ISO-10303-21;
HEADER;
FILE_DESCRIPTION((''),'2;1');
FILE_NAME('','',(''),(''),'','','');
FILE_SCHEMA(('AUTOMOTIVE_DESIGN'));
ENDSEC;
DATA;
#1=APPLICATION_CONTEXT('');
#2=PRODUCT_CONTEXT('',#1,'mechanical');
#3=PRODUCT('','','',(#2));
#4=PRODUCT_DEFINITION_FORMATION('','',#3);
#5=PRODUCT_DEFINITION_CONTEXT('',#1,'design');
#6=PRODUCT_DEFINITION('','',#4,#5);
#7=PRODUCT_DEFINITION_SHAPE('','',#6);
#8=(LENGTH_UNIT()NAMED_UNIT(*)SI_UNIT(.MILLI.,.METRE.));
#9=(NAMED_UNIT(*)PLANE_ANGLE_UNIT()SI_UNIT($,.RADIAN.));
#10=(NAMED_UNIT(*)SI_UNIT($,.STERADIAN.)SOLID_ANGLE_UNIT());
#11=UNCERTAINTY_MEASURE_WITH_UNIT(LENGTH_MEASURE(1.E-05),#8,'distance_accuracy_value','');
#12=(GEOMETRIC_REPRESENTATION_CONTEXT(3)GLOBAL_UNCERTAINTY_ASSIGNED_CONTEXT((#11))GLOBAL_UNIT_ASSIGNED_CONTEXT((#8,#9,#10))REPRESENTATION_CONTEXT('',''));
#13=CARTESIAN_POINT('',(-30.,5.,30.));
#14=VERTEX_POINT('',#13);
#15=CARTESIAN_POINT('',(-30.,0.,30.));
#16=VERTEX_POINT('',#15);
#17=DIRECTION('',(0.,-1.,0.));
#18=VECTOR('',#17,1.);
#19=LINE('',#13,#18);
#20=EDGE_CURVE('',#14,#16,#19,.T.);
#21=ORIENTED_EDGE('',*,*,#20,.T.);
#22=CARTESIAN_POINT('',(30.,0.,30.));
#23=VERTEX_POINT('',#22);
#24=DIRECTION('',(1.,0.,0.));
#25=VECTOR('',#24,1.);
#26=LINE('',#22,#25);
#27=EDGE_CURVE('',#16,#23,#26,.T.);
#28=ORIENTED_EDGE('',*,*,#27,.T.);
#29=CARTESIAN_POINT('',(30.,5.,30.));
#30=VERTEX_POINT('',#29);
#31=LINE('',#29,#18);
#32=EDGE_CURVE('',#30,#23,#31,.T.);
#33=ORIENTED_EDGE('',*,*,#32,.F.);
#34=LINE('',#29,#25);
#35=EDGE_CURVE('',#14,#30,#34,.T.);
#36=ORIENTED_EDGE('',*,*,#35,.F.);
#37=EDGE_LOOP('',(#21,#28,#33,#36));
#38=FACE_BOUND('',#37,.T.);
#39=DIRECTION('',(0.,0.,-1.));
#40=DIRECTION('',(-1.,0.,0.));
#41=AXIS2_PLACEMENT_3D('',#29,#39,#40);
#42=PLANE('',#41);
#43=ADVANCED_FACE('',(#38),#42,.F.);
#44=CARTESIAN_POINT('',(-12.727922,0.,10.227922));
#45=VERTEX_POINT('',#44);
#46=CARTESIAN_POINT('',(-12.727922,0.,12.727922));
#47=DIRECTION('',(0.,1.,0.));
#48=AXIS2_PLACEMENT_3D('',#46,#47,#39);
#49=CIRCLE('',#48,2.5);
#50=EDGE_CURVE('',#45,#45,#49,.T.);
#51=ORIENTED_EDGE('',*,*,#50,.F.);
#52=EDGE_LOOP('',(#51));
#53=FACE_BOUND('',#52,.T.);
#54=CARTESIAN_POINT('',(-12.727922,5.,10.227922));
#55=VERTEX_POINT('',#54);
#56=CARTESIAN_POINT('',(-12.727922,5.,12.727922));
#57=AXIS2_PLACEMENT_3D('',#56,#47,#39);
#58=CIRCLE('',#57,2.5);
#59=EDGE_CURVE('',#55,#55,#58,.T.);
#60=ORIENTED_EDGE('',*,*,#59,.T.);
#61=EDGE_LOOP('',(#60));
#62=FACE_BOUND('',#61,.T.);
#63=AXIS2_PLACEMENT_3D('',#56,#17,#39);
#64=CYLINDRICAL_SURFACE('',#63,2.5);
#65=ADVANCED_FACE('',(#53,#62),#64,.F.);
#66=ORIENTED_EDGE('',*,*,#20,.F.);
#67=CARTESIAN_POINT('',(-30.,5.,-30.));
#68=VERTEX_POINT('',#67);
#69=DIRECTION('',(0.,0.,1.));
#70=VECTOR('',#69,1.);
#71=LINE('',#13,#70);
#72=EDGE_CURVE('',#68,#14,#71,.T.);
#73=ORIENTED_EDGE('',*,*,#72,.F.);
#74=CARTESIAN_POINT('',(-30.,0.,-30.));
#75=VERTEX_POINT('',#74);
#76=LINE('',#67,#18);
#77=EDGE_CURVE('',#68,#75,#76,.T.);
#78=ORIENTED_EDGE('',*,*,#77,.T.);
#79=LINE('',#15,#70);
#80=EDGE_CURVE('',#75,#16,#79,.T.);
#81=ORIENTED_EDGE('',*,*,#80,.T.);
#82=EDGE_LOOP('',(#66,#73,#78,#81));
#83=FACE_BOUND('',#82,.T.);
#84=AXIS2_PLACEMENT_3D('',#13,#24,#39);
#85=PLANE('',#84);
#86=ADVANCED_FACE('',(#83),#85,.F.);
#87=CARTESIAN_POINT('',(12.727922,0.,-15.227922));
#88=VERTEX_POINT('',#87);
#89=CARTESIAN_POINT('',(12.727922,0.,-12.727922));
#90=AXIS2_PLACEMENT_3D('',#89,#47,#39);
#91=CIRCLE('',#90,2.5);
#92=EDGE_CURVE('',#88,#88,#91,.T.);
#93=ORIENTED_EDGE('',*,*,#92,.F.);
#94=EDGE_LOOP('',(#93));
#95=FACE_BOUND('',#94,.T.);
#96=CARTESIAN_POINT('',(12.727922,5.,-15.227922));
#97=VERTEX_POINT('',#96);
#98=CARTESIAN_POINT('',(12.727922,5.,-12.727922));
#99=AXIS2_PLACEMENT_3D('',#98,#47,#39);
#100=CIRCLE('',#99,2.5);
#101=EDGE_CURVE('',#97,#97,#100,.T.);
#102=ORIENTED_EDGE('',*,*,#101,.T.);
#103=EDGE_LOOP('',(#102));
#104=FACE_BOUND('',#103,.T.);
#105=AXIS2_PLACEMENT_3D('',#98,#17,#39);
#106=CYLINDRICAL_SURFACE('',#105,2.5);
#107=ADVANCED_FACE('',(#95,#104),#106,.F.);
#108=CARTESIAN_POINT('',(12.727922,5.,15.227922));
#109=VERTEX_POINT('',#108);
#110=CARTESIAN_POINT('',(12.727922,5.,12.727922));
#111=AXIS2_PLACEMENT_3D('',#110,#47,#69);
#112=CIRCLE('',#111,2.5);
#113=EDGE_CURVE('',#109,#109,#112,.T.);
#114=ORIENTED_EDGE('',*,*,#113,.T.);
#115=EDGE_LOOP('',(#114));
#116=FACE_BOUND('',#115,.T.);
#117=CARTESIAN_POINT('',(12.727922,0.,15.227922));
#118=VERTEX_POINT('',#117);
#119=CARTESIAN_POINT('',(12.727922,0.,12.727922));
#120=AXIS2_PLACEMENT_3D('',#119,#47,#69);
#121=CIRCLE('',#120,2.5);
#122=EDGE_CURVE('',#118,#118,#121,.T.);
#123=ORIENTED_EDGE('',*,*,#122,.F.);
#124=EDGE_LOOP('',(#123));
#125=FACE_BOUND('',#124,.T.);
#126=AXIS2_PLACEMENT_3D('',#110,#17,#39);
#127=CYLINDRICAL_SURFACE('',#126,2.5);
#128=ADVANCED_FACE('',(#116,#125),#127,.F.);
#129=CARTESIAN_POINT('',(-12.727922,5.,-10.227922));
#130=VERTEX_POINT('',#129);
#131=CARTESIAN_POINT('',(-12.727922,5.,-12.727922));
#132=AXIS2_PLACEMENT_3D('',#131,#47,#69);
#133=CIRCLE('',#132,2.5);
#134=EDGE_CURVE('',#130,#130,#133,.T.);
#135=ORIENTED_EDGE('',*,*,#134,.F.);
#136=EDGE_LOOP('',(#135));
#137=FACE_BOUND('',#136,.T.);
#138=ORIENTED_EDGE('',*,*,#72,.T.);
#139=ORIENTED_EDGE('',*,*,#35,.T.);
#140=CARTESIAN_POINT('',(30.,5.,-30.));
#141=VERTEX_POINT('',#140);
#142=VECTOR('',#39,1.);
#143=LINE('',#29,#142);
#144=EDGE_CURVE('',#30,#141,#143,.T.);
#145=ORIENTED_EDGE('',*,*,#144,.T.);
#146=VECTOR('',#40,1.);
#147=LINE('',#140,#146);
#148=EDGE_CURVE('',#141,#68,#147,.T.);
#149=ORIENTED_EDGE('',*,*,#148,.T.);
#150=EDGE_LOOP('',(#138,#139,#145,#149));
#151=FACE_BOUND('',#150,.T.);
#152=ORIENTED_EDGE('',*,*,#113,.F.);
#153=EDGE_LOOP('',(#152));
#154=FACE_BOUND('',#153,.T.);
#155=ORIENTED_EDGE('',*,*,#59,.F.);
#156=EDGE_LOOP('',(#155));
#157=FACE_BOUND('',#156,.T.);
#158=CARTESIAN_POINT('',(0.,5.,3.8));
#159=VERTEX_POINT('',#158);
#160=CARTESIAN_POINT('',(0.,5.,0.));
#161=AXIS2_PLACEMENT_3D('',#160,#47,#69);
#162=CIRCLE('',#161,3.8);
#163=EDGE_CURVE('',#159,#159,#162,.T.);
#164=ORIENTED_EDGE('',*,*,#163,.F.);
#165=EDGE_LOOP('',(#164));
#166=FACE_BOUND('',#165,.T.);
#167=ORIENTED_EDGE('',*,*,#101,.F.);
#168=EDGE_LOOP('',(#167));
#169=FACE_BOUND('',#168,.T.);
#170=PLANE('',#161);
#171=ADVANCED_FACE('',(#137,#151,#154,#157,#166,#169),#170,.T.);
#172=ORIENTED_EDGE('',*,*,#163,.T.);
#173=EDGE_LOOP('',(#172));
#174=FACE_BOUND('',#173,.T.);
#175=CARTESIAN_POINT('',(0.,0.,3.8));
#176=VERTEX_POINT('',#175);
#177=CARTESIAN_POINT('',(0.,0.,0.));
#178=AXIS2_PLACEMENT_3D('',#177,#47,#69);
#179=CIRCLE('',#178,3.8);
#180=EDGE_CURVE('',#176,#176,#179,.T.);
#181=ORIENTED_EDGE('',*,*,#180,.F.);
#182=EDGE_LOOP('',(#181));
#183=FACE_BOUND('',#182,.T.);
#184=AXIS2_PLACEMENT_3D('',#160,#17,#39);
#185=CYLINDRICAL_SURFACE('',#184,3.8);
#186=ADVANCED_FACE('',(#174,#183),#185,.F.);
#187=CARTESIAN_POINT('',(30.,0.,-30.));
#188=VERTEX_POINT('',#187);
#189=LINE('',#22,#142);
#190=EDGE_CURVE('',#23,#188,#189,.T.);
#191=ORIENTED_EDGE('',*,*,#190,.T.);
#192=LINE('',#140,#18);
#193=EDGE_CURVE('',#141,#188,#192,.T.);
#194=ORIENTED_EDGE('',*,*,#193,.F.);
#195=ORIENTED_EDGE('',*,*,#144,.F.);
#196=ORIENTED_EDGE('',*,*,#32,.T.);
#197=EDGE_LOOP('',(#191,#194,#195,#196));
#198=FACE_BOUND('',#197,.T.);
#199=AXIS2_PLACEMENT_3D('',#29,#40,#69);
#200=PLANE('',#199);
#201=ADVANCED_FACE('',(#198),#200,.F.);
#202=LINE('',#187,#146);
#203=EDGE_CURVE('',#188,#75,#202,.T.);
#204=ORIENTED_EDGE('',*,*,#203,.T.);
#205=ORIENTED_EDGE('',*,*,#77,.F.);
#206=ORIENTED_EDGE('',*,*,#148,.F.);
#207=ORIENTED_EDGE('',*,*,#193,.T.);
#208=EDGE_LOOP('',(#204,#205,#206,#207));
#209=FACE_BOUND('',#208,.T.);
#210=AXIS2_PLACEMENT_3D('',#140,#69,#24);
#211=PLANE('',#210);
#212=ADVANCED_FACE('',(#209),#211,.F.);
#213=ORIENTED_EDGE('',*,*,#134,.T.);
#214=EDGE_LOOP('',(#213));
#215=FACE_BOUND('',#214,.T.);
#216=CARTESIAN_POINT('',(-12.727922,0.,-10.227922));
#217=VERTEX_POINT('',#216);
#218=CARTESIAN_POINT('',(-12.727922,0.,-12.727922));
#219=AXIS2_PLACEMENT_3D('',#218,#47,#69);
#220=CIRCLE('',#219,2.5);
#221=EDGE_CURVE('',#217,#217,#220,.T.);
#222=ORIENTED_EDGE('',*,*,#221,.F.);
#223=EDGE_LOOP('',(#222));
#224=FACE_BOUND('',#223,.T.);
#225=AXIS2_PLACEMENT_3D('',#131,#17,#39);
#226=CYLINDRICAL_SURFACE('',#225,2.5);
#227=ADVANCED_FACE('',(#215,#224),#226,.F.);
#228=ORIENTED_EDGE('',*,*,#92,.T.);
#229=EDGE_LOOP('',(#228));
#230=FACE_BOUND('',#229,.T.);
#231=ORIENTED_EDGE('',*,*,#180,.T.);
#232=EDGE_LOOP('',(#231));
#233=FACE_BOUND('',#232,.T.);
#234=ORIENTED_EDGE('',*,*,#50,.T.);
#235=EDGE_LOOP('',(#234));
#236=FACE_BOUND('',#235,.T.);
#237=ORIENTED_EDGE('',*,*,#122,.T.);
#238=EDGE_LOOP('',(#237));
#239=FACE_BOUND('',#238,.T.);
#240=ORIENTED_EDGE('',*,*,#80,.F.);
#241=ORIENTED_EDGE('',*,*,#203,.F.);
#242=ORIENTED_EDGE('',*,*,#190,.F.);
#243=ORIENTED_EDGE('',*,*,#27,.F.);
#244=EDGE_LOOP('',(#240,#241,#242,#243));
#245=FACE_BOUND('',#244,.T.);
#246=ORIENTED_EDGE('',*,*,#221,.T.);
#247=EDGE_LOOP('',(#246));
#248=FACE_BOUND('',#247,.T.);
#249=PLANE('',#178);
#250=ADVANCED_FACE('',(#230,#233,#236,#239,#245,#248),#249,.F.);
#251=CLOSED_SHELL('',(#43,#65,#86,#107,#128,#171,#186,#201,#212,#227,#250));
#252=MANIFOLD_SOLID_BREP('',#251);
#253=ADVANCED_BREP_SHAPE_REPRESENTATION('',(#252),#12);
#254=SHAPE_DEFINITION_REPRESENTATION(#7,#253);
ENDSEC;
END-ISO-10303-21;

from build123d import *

# Parameters (mm, degrees)
SKETCH1_W           = 60
SKETCH1_H           = 60
SKETCH1_R           = 3.8
SKETCH1_R_2         = 2.5
BOSS_EXTRUDE1_DEPTH = 5


with BuildPart() as part:
    # Sketch1 → Boss-Extrude1 (new body)
    with BuildSketch(Plane(origin=(0, 0, 0), x_dir=(1, 0, 0), z_dir=(0, 1, 0))):
        Rectangle(SKETCH1_W, SKETCH1_H)
        Circle(SKETCH1_R, mode=Mode.SUBTRACT)
        with Locations((-12.727922061, 12.727922061)):
            Circle(SKETCH1_R_2, mode=Mode.SUBTRACT)
        with Locations((12.727922061, 12.727922061)):
            Circle(SKETCH1_R_2, mode=Mode.SUBTRACT)
        with Locations((12.727922061, -12.727922061)):
            Circle(SKETCH1_R_2, mode=Mode.SUBTRACT)
        with Locations((-12.727922061, -12.727922061)):
            Circle(SKETCH1_R_2, mode=Mode.SUBTRACT)
    extrude(amount=BOSS_EXTRUDE1_DEPTH)


solid = part.part
